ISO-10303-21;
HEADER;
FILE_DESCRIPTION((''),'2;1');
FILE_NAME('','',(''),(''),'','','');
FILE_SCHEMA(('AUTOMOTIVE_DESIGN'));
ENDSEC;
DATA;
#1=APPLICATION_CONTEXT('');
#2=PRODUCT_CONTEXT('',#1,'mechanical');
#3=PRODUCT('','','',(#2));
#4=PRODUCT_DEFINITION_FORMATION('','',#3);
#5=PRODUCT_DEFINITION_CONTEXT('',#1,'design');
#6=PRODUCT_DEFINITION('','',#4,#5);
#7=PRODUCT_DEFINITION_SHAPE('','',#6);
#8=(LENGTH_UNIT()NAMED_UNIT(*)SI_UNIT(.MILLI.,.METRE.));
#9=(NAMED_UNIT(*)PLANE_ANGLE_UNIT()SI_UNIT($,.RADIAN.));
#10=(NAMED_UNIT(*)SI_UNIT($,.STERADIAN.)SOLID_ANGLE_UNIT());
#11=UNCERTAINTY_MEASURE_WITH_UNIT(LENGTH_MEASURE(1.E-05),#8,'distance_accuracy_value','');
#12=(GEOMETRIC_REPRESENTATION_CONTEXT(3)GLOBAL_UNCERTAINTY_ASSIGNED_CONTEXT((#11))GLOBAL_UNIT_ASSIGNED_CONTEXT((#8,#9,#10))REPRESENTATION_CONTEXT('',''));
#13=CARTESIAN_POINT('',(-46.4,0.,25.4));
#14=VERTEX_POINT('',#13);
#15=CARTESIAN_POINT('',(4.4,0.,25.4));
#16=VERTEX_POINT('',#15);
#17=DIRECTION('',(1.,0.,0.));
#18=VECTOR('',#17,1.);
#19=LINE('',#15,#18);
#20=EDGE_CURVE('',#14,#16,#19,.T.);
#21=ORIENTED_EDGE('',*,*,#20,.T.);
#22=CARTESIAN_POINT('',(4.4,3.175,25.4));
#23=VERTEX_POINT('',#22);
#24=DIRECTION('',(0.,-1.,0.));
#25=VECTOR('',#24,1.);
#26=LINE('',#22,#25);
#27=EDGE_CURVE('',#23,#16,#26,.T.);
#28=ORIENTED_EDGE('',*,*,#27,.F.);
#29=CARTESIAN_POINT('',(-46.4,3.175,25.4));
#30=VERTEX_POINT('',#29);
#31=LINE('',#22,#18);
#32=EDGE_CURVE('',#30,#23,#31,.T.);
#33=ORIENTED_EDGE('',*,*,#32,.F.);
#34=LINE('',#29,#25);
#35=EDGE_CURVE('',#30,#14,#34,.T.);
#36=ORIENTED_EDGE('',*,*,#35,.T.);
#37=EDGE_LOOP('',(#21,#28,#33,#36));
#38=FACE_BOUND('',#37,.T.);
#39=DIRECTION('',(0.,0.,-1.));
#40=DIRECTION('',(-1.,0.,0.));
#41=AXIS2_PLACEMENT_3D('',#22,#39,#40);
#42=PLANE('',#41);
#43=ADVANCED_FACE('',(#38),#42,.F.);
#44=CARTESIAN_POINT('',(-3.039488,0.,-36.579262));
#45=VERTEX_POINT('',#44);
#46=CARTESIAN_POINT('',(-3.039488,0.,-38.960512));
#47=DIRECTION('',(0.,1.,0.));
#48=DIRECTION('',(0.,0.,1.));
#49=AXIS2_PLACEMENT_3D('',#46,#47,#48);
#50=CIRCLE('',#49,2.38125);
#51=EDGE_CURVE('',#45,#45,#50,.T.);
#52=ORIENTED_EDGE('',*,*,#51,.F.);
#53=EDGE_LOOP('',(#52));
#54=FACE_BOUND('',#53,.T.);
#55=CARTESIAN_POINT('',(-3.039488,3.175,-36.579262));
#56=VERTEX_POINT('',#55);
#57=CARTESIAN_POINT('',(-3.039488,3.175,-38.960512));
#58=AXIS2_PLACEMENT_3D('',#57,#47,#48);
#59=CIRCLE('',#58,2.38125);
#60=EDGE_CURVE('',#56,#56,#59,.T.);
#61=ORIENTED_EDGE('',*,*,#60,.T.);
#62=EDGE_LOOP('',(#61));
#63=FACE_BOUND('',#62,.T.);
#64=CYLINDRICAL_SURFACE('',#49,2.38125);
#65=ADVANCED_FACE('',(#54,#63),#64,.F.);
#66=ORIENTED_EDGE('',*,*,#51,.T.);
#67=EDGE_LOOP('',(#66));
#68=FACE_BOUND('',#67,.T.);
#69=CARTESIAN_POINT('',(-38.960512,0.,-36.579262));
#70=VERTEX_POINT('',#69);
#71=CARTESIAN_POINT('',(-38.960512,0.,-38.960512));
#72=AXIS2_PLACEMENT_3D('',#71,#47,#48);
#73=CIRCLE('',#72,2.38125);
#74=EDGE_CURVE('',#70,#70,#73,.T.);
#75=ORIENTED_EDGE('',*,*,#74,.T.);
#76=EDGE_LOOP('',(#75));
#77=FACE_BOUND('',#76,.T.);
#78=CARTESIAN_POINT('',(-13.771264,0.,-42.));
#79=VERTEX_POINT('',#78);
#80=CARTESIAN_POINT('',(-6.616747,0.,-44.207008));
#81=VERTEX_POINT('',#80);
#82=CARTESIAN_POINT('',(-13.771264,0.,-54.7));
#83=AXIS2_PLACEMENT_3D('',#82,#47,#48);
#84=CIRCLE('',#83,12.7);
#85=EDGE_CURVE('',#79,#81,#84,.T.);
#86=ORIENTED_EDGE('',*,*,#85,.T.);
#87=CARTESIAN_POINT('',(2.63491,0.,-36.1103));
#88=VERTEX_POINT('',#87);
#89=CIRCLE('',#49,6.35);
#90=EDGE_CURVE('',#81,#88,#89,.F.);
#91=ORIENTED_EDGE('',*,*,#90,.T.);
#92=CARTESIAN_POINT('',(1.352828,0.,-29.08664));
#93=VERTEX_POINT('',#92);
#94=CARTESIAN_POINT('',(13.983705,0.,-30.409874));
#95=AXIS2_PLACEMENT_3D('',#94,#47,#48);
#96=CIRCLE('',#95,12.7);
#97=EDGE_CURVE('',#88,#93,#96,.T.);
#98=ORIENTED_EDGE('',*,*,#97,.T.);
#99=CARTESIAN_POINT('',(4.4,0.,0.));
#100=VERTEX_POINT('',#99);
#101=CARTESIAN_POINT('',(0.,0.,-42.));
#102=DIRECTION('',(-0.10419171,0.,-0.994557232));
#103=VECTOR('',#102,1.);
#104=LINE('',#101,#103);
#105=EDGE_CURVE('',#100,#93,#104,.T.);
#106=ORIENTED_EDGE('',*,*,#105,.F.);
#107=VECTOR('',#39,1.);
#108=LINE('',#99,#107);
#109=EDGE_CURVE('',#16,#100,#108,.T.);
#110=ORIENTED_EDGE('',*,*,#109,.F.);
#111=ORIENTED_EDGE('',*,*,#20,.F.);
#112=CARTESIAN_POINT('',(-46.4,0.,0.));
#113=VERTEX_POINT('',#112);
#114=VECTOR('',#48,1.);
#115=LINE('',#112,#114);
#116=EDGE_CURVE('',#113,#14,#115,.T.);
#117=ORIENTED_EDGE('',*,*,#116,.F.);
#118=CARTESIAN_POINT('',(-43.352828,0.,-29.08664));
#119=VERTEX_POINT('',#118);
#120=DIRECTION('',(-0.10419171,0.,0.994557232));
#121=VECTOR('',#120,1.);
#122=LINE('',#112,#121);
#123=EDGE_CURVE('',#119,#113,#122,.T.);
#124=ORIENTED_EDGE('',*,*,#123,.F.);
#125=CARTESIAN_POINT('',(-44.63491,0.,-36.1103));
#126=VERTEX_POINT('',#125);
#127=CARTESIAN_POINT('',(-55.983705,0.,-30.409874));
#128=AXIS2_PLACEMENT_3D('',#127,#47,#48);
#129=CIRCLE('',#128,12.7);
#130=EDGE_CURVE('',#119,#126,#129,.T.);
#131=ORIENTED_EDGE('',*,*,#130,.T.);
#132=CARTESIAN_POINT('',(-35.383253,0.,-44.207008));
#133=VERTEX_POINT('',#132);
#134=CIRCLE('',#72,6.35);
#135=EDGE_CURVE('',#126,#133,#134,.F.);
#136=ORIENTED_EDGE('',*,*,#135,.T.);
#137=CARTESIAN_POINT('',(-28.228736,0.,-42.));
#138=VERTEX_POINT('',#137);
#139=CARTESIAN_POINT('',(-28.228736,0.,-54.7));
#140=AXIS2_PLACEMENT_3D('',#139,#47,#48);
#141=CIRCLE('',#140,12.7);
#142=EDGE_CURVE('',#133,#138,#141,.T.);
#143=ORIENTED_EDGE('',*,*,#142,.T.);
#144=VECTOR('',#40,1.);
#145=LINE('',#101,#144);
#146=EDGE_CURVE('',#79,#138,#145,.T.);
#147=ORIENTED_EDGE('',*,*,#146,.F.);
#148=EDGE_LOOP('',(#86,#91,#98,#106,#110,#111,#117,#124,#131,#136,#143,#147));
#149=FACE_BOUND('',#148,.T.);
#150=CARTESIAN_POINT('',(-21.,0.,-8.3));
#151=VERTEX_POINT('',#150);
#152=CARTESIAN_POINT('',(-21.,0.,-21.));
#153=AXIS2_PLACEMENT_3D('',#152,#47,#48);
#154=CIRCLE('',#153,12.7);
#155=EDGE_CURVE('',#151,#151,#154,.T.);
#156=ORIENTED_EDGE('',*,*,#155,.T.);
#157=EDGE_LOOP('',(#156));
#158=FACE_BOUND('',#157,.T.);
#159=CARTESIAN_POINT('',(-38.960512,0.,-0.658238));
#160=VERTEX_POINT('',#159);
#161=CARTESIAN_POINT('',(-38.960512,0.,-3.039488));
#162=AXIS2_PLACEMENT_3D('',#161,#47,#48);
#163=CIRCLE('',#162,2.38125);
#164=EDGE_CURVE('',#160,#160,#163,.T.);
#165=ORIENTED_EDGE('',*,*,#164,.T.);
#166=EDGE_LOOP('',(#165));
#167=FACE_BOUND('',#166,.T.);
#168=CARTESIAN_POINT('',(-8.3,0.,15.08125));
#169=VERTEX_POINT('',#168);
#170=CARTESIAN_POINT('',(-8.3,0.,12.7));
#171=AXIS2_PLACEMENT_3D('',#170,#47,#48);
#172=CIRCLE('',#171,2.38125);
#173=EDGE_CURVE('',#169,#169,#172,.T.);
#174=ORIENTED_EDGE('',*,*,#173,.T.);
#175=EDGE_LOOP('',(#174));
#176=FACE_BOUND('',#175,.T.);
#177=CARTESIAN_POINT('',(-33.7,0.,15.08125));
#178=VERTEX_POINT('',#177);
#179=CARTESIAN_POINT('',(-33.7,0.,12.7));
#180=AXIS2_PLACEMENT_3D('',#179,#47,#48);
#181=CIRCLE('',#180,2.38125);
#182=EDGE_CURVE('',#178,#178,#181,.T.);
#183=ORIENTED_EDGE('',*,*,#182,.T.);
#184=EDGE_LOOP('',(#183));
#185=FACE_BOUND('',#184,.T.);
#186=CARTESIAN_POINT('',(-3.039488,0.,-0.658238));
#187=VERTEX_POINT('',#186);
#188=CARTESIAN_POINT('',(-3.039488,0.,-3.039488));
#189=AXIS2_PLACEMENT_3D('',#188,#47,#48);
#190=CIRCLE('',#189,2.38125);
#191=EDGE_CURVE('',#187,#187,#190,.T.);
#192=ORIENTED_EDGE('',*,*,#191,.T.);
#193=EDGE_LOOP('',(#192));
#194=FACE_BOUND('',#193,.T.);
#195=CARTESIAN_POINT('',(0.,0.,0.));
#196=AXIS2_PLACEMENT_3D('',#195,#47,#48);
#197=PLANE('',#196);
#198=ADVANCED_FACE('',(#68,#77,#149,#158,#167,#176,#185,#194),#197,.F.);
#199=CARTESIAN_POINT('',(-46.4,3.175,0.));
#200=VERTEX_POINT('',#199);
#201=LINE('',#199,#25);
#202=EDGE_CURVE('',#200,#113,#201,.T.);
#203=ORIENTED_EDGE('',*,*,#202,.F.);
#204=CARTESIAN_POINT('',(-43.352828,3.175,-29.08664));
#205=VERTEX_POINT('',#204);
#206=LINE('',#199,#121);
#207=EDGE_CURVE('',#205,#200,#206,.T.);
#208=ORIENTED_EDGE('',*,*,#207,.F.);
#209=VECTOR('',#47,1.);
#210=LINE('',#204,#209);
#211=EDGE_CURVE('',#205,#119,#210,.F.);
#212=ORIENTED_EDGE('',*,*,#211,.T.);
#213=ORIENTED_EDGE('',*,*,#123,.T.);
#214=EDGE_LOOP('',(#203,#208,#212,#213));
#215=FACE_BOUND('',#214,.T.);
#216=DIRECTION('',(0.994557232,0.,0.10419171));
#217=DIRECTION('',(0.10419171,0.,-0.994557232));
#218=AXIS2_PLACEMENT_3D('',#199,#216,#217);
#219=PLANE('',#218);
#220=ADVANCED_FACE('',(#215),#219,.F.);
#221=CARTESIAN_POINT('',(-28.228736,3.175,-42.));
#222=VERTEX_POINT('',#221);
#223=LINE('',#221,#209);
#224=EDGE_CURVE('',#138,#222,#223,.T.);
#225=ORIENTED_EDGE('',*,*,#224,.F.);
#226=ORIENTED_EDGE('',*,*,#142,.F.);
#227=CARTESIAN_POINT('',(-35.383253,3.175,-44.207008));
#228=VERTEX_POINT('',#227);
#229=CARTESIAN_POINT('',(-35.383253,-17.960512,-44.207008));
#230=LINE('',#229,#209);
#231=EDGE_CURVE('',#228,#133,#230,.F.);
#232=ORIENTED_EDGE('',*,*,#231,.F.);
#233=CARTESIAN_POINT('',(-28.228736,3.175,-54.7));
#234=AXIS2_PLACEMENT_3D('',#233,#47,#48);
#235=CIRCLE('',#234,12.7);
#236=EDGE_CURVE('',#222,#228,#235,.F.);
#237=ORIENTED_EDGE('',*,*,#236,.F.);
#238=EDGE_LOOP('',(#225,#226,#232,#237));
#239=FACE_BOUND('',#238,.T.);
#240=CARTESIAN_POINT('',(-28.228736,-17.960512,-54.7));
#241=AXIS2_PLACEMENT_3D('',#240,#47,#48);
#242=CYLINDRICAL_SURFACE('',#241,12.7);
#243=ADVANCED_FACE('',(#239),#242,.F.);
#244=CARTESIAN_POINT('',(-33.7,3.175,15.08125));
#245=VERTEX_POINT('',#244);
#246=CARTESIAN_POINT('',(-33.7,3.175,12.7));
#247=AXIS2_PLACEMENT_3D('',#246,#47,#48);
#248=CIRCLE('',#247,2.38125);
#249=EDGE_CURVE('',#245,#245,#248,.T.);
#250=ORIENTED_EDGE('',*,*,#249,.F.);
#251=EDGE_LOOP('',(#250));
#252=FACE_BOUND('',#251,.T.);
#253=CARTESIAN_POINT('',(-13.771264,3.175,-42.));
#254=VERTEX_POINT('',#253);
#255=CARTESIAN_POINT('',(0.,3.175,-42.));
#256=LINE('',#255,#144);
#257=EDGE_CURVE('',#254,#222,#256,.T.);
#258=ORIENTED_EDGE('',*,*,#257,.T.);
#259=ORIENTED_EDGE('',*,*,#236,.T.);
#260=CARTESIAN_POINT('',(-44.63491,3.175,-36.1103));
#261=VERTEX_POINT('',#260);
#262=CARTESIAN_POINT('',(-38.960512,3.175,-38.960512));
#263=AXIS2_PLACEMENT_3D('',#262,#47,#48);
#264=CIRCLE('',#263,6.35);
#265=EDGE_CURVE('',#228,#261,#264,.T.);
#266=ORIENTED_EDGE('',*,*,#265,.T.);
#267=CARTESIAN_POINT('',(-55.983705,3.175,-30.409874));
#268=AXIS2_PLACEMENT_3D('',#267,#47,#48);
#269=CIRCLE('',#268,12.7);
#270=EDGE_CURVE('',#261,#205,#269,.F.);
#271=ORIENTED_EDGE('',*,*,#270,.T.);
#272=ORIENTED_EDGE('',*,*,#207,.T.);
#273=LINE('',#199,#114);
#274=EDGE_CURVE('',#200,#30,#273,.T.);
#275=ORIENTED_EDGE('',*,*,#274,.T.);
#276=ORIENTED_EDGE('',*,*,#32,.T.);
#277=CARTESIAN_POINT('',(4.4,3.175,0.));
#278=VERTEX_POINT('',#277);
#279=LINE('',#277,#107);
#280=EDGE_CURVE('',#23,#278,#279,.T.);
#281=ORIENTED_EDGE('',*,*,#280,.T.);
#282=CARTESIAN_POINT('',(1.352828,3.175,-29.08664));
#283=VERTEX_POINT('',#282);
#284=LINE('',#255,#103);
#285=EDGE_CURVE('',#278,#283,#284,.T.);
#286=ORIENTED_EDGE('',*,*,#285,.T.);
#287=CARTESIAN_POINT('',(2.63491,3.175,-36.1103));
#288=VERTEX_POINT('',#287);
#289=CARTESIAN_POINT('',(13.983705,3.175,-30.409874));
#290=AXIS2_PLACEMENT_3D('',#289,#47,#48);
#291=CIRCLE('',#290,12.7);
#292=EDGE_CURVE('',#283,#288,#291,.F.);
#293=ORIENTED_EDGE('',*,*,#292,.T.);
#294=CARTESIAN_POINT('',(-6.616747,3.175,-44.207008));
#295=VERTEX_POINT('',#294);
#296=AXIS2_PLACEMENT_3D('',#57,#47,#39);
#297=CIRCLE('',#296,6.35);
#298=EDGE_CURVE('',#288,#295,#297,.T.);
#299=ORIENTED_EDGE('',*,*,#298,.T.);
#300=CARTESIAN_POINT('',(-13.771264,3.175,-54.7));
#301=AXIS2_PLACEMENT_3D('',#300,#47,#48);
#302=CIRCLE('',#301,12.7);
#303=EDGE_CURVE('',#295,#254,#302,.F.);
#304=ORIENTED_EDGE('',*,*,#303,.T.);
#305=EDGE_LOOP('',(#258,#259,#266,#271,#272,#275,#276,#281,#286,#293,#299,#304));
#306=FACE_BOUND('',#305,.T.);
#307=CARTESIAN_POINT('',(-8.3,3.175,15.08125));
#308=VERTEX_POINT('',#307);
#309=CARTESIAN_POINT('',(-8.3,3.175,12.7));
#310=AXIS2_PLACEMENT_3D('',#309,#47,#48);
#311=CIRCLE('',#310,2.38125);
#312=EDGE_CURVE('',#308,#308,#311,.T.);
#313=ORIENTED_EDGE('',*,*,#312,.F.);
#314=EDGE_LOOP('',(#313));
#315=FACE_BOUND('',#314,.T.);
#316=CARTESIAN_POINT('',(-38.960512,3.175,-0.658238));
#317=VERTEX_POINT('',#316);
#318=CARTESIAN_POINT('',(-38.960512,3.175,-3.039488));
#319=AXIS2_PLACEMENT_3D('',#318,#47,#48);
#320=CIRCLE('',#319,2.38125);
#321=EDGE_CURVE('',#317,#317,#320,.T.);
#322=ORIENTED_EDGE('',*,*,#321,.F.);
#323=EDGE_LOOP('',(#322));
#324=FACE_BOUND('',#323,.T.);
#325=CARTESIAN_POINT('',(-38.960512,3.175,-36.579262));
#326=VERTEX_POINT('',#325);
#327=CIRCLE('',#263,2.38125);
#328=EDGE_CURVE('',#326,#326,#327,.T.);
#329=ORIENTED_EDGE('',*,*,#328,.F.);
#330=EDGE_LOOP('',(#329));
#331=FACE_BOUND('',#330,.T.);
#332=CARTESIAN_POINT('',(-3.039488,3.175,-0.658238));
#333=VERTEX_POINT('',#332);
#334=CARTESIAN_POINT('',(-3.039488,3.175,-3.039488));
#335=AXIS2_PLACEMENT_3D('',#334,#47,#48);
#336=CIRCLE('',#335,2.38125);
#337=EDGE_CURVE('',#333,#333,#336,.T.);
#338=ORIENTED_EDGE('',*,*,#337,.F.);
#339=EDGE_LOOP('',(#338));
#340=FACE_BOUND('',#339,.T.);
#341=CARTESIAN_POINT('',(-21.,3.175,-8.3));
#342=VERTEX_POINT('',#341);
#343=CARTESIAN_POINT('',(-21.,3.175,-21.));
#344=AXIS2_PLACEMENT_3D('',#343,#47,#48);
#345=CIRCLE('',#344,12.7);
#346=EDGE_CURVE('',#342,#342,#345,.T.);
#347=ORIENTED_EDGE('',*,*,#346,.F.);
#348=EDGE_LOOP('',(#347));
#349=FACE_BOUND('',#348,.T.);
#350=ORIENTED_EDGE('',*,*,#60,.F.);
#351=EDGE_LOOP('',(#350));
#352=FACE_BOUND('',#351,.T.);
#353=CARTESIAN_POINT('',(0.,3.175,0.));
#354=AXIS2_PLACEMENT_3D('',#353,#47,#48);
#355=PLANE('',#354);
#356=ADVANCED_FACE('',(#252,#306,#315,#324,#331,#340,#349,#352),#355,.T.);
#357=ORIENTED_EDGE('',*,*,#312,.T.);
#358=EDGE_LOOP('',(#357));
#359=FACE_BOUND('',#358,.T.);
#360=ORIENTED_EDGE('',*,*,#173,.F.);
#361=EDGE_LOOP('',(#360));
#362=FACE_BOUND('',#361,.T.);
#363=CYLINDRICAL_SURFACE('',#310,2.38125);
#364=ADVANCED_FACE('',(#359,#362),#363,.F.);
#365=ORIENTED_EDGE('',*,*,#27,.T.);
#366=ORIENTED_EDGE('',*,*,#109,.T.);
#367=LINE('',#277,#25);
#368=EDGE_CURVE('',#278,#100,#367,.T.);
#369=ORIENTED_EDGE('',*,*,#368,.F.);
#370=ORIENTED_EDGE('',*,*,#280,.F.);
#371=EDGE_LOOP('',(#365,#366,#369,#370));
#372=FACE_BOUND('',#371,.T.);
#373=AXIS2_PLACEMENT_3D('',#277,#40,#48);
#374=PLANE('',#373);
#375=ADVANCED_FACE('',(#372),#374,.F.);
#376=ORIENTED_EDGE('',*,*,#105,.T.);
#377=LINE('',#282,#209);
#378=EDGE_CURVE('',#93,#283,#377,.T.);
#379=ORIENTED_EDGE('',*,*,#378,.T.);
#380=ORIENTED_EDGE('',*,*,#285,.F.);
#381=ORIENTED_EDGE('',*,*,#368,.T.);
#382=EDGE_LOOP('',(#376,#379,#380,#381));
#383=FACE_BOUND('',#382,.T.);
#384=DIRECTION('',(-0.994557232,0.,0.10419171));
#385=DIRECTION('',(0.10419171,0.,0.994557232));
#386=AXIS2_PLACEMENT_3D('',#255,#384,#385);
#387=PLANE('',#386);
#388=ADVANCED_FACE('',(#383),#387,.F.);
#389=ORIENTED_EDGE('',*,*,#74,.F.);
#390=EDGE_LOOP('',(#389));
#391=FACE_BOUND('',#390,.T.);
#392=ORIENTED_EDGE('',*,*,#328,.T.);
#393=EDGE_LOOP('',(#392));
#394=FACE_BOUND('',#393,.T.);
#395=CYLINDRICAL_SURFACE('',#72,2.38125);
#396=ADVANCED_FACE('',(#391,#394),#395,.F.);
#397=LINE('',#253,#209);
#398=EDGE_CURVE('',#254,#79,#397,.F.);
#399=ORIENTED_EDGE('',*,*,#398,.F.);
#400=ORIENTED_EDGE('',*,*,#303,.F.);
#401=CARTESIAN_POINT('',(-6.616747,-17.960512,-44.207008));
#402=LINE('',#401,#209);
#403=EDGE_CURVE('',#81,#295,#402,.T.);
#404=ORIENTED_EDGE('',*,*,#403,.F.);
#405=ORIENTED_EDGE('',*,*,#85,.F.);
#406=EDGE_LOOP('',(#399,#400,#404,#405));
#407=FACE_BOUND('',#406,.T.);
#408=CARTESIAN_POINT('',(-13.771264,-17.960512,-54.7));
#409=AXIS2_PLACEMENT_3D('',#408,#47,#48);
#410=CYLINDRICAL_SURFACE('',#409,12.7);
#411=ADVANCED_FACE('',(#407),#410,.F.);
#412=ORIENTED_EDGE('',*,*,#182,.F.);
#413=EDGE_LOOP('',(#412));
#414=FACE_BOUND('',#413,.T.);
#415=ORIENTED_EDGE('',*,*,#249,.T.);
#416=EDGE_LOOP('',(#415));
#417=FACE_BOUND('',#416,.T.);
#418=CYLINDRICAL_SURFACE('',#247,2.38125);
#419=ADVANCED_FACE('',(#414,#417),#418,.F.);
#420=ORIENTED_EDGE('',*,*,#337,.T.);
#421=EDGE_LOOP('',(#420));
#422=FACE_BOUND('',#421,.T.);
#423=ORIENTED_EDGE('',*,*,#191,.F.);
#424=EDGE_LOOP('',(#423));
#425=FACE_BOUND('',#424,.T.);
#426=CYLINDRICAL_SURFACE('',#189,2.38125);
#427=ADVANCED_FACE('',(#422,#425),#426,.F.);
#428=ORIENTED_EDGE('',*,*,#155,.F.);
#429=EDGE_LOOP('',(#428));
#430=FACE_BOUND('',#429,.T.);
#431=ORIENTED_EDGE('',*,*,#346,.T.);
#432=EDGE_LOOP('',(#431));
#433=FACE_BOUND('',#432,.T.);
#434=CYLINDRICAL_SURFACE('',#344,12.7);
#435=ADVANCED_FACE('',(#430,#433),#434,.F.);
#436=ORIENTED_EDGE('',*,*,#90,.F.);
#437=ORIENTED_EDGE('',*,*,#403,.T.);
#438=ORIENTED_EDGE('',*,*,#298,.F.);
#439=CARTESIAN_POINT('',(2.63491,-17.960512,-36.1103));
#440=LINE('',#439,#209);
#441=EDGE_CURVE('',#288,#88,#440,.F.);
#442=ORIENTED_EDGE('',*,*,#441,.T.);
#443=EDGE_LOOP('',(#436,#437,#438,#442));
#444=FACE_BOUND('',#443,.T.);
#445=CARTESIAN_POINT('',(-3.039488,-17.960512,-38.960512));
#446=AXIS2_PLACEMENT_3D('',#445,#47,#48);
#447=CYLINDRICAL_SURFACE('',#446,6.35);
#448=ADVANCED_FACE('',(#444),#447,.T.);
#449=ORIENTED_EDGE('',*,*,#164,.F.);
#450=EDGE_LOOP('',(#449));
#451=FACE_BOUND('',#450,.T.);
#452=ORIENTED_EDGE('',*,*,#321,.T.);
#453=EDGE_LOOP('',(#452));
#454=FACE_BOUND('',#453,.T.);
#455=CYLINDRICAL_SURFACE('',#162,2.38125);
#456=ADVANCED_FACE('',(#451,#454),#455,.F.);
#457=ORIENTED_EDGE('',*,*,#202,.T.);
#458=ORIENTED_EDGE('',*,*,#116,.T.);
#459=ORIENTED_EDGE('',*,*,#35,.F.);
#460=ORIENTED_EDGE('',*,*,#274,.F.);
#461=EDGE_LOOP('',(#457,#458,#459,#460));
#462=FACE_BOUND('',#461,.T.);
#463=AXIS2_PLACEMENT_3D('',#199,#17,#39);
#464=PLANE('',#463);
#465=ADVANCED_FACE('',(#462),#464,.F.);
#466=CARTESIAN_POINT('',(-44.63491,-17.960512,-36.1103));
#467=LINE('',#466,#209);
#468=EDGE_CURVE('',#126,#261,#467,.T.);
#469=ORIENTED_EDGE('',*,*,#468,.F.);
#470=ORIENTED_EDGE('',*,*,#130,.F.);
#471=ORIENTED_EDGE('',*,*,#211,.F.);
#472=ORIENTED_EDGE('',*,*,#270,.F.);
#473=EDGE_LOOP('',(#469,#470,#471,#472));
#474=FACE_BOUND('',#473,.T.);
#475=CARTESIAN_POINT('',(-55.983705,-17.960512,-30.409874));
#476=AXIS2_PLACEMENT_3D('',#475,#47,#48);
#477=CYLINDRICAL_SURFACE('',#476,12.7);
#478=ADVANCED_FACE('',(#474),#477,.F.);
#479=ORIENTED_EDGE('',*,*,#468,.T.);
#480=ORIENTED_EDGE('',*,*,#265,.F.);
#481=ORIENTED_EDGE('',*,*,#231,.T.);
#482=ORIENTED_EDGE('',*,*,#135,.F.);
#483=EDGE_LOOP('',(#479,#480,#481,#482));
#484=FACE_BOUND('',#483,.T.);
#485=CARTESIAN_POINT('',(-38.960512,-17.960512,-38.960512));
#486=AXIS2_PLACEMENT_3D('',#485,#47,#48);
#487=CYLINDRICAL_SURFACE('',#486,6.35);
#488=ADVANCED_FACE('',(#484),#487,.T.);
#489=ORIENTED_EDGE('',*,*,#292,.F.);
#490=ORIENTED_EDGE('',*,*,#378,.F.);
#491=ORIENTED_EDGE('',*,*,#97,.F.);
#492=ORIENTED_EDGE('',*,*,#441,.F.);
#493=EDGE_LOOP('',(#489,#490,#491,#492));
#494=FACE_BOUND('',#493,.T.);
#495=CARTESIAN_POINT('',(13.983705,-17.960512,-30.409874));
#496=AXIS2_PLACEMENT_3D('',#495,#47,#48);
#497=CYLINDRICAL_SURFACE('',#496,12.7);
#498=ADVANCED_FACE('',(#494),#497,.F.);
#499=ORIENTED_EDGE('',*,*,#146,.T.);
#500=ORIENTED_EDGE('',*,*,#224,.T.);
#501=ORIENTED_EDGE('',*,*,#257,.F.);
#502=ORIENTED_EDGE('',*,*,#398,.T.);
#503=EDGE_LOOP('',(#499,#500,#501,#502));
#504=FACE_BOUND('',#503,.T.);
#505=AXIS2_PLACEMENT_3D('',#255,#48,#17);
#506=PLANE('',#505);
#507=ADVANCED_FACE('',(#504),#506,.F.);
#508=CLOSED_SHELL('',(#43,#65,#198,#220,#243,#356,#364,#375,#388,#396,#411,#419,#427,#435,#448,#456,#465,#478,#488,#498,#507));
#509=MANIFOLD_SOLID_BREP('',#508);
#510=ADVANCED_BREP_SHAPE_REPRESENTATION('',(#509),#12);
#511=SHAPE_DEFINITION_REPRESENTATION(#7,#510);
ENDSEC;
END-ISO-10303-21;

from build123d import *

# Parameters (mm, degrees)
BOSS_EXTRUDE1_DEPTH            = 3.175
F_1_1_DIAMETER_HOLE1_D         = 25.4
SKETCH6_R                      = 2.38125
CUT_EXTRUDE1_DEPTH             = 63.666104275
SKETCH7_R                      = 6.35
SKETCH7_R_2                    = 2.38125
BOSS_EXTRUDE2_DEPTH            = 3.175
F_3_16_0_1875_DIAMETER_HOLE1_D = 4.7625
FILLET1_R                      = 12.7


with BuildPart() as part:
    # Sketch1 → Boss-Extrude1 (new body)
    with BuildSketch(Plane(origin=(0, 0, 0), x_dir=(1, 0, 0), z_dir=(0, 1, 0))):
        Polygon((0, 42), (-42, 42), (-46.4, 0), (-46.4, -25.4), (4.4, -25.4), (4.4, 0), align=None)
    extrude(amount=BOSS_EXTRUDE1_DEPTH)

    # 1 (1) Diameter Hole1 (through all)
    with Locations(Plane(origin=(0, 3.175, 0), x_dir=(1, 0, 0), z_dir=(0, 1, 0))):
        with Locations((-21, 21)):
            Hole(F_1_1_DIAMETER_HOLE1_D / 2)

    # Sketch6 → Cut-Extrude1 (cut, through all)
    with BuildSketch(Plane(origin=(0, 3.175, 0), x_dir=(1, 0, 0), z_dir=(0, 1, 0))):
        with Locations(Location((-38.960512242, 38.960512242, 0), (0, 0, 270))):
            Circle(SKETCH6_R)
        with Locations(Location((-38.960512242, 3.039487758, 0), (0, 0, 270))):
            Circle(SKETCH6_R)
        with Locations(Location((-3.039487758, 3.039487758, 0), (0, 0, 270))):
            Circle(SKETCH6_R)
        with Locations(Location((-3.039487758, 38.960512242, 0), (0, 0, 270))):
            Circle(SKETCH6_R)
    extrude(amount=-CUT_EXTRUDE1_DEPTH, mode=Mode.SUBTRACT)

    # Sketch7 → Boss-Extrude2 (add)
    # profile 1 of 2: a face of its own
    with BuildSketch(Plane(origin=(0, 3.175, 0), x_dir=(1, 0, 0), z_dir=(0, 1, 0))):
        with Locations((-38.960512242, 38.960512242)):
            Circle(SKETCH7_R)
        with Locations(Location((-38.960512242, 38.960512242, 0), (0, 0, 270))):
            Circle(SKETCH7_R_2, mode=Mode.SUBTRACT)
    # profile 2 of 2: a face of its own
    with BuildSketch(Plane(origin=(0, 3.175, 0), x_dir=(1, 0, 0), z_dir=(0, 1, 0))):
        with Locations((-3.039487758, 38.960512242)):
            Circle(SKETCH7_R)
        with Locations(Location((-3.039487758, 38.960512242, 0), (0, 0, 270))):
            Circle(SKETCH7_R_2, mode=Mode.SUBTRACT)
    extrude(amount=-BOSS_EXTRUDE2_DEPTH)

    # 3/16 (0.1875) Diameter Hole1 (through all)
    with Locations(Plane(origin=(0, 3.175, 0), x_dir=(1, 0, 0), z_dir=(0, 1, 0))):
        with Locations((-33.7, -12.7), (-8.3, -12.7)):
            Hole(F_3_16_0_1875_DIAMETER_HOLE1_D / 2)

    # Fillet1
    fillet1_edges = [part.edges().sort_by_distance(p)[0] for p in [
        (-42.844694729, 1.5875, -33.937004861),
        (-33.385208289, 1.5875, -42),
        (0.844694729, 1.5875, -33.937004861),
        (-8.614791711, 1.5875, -42),
    ]]
    fillet(fillet1_edges, radius=FILLET1_R)


solid = part.part
